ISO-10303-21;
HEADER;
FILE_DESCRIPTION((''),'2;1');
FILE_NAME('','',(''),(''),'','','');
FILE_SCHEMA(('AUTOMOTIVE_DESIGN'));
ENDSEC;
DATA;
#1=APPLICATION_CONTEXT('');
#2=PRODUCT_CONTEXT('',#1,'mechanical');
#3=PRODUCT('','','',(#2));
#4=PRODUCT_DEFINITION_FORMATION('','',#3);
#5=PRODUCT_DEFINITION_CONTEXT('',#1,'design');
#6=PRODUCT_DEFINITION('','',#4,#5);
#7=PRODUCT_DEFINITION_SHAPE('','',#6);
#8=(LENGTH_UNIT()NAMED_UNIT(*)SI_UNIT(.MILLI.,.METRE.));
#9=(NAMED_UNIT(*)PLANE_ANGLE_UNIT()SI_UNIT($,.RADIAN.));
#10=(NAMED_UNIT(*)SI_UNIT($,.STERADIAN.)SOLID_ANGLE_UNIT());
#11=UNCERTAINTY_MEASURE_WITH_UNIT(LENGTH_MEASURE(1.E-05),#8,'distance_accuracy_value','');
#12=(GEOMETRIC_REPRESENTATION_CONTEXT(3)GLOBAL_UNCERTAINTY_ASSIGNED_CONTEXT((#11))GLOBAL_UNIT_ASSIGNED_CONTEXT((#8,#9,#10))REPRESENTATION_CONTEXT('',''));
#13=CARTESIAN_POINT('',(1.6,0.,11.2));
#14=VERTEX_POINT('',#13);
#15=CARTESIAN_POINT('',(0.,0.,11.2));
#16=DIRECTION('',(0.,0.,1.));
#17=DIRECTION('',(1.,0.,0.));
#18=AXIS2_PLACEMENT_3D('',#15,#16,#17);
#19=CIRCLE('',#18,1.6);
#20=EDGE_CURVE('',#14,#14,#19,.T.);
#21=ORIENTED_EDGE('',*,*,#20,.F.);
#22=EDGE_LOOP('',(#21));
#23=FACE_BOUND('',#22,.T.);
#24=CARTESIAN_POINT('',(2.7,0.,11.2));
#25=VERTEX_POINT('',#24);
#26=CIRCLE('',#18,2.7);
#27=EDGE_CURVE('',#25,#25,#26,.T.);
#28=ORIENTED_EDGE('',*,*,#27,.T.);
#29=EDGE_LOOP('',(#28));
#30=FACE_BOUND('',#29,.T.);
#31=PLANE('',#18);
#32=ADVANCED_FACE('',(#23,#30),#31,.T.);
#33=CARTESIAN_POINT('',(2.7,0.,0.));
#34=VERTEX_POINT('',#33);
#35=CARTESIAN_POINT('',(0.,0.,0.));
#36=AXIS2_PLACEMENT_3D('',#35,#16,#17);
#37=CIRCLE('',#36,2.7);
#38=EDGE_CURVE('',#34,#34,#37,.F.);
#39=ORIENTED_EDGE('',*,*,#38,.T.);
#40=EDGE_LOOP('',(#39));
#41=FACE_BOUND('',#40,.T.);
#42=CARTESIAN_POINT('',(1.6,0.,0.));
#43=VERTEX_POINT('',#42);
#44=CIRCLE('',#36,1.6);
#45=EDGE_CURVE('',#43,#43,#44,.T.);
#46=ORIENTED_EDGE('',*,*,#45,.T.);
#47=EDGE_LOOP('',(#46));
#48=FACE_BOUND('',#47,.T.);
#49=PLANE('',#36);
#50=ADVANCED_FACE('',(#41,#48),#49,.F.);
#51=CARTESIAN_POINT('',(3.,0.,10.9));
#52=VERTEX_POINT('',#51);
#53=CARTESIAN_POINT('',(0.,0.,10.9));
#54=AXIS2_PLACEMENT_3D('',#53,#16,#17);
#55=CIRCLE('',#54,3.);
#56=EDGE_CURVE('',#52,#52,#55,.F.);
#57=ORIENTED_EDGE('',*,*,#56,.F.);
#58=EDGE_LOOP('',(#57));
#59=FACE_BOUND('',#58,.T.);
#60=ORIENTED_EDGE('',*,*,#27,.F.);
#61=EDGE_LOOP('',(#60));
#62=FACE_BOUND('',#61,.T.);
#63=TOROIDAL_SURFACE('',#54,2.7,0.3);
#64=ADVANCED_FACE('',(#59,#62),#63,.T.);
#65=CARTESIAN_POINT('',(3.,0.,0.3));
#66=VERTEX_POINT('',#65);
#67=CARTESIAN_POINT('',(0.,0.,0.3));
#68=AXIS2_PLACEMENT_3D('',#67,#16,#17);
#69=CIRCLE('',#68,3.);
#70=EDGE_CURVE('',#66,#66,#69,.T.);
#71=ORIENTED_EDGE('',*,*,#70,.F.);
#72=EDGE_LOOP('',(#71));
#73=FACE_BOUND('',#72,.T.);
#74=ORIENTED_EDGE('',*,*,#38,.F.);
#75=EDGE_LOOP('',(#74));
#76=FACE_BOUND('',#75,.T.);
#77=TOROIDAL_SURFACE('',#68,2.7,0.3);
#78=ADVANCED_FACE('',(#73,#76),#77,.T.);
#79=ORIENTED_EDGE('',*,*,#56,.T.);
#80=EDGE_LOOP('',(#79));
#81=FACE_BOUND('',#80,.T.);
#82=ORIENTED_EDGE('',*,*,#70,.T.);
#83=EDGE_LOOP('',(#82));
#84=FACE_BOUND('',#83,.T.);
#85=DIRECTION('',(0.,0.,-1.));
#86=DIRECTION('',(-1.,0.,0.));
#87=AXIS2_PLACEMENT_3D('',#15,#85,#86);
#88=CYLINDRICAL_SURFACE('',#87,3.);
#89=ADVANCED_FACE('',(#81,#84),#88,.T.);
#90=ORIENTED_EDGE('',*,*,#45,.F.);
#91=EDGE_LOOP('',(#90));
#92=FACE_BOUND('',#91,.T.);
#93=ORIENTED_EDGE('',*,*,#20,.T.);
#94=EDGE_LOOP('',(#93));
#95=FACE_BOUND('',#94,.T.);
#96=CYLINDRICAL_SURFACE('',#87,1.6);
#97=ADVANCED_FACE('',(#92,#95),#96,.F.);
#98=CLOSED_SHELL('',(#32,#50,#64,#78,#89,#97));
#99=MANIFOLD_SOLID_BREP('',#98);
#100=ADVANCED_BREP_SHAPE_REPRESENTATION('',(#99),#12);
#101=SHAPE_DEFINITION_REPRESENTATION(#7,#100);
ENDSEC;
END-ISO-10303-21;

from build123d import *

# Parameters (mm, degrees)
SKETCH1_R           = 3
SKETCH1_R_2         = 1.6
BOSS_EXTRUDE1_DEPTH = 11.2
FILLET1_R           = 0.3


with BuildPart() as part:
    # Sketch1 → Boss-Extrude1 (new body)
    with BuildSketch(Plane.XY):
        Circle(SKETCH1_R)
        Circle(SKETCH1_R_2, mode=Mode.SUBTRACT)
    extrude(amount=BOSS_EXTRUDE1_DEPTH)

    # Fillet1
    fillet1_edges = [part.edges().sort_by_distance(p)[0] for p in [
        (-3, 0, 0),
        (-3, 0, 11.2),
    ]]
    fillet(fillet1_edges, radius=FILLET1_R)


solid = part.part
